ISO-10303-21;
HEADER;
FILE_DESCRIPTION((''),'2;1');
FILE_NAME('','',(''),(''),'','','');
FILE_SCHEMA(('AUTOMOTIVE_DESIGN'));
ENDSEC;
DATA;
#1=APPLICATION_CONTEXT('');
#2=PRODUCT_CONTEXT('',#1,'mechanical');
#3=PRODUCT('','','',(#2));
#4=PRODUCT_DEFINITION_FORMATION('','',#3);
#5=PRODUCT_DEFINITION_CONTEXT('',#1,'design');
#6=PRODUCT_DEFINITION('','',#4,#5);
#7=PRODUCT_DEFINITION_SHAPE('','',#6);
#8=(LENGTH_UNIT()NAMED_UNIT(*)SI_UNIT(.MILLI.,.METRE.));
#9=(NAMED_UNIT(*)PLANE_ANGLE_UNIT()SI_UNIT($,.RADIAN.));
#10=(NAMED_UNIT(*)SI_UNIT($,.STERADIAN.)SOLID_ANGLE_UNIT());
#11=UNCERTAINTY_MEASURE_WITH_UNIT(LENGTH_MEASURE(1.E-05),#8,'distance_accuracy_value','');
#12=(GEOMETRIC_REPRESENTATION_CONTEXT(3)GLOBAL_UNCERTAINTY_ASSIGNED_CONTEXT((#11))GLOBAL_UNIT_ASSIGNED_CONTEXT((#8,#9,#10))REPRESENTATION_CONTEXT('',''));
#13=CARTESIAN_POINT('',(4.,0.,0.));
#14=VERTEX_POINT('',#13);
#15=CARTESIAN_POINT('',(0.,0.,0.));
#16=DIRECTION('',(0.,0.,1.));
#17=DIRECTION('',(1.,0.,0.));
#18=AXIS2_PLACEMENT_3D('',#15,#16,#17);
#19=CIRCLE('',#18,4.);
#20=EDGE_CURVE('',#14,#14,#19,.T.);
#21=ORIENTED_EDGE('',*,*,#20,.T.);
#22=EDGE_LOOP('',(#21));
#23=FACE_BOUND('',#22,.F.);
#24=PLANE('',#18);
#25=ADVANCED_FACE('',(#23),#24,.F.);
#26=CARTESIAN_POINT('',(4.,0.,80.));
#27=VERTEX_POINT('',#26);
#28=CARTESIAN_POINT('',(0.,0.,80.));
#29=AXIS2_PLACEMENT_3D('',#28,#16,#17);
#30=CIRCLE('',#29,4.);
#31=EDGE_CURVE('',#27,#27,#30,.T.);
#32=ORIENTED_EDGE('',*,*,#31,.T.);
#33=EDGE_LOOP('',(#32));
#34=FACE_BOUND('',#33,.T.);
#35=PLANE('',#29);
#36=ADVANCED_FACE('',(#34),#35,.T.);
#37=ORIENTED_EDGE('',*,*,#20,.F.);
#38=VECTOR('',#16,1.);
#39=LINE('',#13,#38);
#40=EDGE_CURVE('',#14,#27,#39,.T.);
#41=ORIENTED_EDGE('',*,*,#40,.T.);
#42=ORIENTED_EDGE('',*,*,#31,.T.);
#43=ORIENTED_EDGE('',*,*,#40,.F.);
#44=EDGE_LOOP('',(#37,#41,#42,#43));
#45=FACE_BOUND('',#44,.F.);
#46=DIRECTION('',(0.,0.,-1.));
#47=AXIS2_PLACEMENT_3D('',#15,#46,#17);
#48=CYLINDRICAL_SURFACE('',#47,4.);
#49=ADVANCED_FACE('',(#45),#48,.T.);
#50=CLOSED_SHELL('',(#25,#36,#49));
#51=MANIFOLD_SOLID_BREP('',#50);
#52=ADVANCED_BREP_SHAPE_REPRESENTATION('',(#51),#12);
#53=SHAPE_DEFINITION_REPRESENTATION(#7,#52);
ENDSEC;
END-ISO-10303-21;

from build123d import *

# Parameters (mm, degrees)
ESQUISSE1_R        = 4
BOSS_EXTRU_1_DEPTH = 80


with BuildPart() as part:
    # Esquisse1 → Boss.-Extru.1 (new body)
    with BuildSketch(Plane.XY):
        Circle(ESQUISSE1_R)
    extrude(amount=BOSS_EXTRU_1_DEPTH)


solid = part.part
